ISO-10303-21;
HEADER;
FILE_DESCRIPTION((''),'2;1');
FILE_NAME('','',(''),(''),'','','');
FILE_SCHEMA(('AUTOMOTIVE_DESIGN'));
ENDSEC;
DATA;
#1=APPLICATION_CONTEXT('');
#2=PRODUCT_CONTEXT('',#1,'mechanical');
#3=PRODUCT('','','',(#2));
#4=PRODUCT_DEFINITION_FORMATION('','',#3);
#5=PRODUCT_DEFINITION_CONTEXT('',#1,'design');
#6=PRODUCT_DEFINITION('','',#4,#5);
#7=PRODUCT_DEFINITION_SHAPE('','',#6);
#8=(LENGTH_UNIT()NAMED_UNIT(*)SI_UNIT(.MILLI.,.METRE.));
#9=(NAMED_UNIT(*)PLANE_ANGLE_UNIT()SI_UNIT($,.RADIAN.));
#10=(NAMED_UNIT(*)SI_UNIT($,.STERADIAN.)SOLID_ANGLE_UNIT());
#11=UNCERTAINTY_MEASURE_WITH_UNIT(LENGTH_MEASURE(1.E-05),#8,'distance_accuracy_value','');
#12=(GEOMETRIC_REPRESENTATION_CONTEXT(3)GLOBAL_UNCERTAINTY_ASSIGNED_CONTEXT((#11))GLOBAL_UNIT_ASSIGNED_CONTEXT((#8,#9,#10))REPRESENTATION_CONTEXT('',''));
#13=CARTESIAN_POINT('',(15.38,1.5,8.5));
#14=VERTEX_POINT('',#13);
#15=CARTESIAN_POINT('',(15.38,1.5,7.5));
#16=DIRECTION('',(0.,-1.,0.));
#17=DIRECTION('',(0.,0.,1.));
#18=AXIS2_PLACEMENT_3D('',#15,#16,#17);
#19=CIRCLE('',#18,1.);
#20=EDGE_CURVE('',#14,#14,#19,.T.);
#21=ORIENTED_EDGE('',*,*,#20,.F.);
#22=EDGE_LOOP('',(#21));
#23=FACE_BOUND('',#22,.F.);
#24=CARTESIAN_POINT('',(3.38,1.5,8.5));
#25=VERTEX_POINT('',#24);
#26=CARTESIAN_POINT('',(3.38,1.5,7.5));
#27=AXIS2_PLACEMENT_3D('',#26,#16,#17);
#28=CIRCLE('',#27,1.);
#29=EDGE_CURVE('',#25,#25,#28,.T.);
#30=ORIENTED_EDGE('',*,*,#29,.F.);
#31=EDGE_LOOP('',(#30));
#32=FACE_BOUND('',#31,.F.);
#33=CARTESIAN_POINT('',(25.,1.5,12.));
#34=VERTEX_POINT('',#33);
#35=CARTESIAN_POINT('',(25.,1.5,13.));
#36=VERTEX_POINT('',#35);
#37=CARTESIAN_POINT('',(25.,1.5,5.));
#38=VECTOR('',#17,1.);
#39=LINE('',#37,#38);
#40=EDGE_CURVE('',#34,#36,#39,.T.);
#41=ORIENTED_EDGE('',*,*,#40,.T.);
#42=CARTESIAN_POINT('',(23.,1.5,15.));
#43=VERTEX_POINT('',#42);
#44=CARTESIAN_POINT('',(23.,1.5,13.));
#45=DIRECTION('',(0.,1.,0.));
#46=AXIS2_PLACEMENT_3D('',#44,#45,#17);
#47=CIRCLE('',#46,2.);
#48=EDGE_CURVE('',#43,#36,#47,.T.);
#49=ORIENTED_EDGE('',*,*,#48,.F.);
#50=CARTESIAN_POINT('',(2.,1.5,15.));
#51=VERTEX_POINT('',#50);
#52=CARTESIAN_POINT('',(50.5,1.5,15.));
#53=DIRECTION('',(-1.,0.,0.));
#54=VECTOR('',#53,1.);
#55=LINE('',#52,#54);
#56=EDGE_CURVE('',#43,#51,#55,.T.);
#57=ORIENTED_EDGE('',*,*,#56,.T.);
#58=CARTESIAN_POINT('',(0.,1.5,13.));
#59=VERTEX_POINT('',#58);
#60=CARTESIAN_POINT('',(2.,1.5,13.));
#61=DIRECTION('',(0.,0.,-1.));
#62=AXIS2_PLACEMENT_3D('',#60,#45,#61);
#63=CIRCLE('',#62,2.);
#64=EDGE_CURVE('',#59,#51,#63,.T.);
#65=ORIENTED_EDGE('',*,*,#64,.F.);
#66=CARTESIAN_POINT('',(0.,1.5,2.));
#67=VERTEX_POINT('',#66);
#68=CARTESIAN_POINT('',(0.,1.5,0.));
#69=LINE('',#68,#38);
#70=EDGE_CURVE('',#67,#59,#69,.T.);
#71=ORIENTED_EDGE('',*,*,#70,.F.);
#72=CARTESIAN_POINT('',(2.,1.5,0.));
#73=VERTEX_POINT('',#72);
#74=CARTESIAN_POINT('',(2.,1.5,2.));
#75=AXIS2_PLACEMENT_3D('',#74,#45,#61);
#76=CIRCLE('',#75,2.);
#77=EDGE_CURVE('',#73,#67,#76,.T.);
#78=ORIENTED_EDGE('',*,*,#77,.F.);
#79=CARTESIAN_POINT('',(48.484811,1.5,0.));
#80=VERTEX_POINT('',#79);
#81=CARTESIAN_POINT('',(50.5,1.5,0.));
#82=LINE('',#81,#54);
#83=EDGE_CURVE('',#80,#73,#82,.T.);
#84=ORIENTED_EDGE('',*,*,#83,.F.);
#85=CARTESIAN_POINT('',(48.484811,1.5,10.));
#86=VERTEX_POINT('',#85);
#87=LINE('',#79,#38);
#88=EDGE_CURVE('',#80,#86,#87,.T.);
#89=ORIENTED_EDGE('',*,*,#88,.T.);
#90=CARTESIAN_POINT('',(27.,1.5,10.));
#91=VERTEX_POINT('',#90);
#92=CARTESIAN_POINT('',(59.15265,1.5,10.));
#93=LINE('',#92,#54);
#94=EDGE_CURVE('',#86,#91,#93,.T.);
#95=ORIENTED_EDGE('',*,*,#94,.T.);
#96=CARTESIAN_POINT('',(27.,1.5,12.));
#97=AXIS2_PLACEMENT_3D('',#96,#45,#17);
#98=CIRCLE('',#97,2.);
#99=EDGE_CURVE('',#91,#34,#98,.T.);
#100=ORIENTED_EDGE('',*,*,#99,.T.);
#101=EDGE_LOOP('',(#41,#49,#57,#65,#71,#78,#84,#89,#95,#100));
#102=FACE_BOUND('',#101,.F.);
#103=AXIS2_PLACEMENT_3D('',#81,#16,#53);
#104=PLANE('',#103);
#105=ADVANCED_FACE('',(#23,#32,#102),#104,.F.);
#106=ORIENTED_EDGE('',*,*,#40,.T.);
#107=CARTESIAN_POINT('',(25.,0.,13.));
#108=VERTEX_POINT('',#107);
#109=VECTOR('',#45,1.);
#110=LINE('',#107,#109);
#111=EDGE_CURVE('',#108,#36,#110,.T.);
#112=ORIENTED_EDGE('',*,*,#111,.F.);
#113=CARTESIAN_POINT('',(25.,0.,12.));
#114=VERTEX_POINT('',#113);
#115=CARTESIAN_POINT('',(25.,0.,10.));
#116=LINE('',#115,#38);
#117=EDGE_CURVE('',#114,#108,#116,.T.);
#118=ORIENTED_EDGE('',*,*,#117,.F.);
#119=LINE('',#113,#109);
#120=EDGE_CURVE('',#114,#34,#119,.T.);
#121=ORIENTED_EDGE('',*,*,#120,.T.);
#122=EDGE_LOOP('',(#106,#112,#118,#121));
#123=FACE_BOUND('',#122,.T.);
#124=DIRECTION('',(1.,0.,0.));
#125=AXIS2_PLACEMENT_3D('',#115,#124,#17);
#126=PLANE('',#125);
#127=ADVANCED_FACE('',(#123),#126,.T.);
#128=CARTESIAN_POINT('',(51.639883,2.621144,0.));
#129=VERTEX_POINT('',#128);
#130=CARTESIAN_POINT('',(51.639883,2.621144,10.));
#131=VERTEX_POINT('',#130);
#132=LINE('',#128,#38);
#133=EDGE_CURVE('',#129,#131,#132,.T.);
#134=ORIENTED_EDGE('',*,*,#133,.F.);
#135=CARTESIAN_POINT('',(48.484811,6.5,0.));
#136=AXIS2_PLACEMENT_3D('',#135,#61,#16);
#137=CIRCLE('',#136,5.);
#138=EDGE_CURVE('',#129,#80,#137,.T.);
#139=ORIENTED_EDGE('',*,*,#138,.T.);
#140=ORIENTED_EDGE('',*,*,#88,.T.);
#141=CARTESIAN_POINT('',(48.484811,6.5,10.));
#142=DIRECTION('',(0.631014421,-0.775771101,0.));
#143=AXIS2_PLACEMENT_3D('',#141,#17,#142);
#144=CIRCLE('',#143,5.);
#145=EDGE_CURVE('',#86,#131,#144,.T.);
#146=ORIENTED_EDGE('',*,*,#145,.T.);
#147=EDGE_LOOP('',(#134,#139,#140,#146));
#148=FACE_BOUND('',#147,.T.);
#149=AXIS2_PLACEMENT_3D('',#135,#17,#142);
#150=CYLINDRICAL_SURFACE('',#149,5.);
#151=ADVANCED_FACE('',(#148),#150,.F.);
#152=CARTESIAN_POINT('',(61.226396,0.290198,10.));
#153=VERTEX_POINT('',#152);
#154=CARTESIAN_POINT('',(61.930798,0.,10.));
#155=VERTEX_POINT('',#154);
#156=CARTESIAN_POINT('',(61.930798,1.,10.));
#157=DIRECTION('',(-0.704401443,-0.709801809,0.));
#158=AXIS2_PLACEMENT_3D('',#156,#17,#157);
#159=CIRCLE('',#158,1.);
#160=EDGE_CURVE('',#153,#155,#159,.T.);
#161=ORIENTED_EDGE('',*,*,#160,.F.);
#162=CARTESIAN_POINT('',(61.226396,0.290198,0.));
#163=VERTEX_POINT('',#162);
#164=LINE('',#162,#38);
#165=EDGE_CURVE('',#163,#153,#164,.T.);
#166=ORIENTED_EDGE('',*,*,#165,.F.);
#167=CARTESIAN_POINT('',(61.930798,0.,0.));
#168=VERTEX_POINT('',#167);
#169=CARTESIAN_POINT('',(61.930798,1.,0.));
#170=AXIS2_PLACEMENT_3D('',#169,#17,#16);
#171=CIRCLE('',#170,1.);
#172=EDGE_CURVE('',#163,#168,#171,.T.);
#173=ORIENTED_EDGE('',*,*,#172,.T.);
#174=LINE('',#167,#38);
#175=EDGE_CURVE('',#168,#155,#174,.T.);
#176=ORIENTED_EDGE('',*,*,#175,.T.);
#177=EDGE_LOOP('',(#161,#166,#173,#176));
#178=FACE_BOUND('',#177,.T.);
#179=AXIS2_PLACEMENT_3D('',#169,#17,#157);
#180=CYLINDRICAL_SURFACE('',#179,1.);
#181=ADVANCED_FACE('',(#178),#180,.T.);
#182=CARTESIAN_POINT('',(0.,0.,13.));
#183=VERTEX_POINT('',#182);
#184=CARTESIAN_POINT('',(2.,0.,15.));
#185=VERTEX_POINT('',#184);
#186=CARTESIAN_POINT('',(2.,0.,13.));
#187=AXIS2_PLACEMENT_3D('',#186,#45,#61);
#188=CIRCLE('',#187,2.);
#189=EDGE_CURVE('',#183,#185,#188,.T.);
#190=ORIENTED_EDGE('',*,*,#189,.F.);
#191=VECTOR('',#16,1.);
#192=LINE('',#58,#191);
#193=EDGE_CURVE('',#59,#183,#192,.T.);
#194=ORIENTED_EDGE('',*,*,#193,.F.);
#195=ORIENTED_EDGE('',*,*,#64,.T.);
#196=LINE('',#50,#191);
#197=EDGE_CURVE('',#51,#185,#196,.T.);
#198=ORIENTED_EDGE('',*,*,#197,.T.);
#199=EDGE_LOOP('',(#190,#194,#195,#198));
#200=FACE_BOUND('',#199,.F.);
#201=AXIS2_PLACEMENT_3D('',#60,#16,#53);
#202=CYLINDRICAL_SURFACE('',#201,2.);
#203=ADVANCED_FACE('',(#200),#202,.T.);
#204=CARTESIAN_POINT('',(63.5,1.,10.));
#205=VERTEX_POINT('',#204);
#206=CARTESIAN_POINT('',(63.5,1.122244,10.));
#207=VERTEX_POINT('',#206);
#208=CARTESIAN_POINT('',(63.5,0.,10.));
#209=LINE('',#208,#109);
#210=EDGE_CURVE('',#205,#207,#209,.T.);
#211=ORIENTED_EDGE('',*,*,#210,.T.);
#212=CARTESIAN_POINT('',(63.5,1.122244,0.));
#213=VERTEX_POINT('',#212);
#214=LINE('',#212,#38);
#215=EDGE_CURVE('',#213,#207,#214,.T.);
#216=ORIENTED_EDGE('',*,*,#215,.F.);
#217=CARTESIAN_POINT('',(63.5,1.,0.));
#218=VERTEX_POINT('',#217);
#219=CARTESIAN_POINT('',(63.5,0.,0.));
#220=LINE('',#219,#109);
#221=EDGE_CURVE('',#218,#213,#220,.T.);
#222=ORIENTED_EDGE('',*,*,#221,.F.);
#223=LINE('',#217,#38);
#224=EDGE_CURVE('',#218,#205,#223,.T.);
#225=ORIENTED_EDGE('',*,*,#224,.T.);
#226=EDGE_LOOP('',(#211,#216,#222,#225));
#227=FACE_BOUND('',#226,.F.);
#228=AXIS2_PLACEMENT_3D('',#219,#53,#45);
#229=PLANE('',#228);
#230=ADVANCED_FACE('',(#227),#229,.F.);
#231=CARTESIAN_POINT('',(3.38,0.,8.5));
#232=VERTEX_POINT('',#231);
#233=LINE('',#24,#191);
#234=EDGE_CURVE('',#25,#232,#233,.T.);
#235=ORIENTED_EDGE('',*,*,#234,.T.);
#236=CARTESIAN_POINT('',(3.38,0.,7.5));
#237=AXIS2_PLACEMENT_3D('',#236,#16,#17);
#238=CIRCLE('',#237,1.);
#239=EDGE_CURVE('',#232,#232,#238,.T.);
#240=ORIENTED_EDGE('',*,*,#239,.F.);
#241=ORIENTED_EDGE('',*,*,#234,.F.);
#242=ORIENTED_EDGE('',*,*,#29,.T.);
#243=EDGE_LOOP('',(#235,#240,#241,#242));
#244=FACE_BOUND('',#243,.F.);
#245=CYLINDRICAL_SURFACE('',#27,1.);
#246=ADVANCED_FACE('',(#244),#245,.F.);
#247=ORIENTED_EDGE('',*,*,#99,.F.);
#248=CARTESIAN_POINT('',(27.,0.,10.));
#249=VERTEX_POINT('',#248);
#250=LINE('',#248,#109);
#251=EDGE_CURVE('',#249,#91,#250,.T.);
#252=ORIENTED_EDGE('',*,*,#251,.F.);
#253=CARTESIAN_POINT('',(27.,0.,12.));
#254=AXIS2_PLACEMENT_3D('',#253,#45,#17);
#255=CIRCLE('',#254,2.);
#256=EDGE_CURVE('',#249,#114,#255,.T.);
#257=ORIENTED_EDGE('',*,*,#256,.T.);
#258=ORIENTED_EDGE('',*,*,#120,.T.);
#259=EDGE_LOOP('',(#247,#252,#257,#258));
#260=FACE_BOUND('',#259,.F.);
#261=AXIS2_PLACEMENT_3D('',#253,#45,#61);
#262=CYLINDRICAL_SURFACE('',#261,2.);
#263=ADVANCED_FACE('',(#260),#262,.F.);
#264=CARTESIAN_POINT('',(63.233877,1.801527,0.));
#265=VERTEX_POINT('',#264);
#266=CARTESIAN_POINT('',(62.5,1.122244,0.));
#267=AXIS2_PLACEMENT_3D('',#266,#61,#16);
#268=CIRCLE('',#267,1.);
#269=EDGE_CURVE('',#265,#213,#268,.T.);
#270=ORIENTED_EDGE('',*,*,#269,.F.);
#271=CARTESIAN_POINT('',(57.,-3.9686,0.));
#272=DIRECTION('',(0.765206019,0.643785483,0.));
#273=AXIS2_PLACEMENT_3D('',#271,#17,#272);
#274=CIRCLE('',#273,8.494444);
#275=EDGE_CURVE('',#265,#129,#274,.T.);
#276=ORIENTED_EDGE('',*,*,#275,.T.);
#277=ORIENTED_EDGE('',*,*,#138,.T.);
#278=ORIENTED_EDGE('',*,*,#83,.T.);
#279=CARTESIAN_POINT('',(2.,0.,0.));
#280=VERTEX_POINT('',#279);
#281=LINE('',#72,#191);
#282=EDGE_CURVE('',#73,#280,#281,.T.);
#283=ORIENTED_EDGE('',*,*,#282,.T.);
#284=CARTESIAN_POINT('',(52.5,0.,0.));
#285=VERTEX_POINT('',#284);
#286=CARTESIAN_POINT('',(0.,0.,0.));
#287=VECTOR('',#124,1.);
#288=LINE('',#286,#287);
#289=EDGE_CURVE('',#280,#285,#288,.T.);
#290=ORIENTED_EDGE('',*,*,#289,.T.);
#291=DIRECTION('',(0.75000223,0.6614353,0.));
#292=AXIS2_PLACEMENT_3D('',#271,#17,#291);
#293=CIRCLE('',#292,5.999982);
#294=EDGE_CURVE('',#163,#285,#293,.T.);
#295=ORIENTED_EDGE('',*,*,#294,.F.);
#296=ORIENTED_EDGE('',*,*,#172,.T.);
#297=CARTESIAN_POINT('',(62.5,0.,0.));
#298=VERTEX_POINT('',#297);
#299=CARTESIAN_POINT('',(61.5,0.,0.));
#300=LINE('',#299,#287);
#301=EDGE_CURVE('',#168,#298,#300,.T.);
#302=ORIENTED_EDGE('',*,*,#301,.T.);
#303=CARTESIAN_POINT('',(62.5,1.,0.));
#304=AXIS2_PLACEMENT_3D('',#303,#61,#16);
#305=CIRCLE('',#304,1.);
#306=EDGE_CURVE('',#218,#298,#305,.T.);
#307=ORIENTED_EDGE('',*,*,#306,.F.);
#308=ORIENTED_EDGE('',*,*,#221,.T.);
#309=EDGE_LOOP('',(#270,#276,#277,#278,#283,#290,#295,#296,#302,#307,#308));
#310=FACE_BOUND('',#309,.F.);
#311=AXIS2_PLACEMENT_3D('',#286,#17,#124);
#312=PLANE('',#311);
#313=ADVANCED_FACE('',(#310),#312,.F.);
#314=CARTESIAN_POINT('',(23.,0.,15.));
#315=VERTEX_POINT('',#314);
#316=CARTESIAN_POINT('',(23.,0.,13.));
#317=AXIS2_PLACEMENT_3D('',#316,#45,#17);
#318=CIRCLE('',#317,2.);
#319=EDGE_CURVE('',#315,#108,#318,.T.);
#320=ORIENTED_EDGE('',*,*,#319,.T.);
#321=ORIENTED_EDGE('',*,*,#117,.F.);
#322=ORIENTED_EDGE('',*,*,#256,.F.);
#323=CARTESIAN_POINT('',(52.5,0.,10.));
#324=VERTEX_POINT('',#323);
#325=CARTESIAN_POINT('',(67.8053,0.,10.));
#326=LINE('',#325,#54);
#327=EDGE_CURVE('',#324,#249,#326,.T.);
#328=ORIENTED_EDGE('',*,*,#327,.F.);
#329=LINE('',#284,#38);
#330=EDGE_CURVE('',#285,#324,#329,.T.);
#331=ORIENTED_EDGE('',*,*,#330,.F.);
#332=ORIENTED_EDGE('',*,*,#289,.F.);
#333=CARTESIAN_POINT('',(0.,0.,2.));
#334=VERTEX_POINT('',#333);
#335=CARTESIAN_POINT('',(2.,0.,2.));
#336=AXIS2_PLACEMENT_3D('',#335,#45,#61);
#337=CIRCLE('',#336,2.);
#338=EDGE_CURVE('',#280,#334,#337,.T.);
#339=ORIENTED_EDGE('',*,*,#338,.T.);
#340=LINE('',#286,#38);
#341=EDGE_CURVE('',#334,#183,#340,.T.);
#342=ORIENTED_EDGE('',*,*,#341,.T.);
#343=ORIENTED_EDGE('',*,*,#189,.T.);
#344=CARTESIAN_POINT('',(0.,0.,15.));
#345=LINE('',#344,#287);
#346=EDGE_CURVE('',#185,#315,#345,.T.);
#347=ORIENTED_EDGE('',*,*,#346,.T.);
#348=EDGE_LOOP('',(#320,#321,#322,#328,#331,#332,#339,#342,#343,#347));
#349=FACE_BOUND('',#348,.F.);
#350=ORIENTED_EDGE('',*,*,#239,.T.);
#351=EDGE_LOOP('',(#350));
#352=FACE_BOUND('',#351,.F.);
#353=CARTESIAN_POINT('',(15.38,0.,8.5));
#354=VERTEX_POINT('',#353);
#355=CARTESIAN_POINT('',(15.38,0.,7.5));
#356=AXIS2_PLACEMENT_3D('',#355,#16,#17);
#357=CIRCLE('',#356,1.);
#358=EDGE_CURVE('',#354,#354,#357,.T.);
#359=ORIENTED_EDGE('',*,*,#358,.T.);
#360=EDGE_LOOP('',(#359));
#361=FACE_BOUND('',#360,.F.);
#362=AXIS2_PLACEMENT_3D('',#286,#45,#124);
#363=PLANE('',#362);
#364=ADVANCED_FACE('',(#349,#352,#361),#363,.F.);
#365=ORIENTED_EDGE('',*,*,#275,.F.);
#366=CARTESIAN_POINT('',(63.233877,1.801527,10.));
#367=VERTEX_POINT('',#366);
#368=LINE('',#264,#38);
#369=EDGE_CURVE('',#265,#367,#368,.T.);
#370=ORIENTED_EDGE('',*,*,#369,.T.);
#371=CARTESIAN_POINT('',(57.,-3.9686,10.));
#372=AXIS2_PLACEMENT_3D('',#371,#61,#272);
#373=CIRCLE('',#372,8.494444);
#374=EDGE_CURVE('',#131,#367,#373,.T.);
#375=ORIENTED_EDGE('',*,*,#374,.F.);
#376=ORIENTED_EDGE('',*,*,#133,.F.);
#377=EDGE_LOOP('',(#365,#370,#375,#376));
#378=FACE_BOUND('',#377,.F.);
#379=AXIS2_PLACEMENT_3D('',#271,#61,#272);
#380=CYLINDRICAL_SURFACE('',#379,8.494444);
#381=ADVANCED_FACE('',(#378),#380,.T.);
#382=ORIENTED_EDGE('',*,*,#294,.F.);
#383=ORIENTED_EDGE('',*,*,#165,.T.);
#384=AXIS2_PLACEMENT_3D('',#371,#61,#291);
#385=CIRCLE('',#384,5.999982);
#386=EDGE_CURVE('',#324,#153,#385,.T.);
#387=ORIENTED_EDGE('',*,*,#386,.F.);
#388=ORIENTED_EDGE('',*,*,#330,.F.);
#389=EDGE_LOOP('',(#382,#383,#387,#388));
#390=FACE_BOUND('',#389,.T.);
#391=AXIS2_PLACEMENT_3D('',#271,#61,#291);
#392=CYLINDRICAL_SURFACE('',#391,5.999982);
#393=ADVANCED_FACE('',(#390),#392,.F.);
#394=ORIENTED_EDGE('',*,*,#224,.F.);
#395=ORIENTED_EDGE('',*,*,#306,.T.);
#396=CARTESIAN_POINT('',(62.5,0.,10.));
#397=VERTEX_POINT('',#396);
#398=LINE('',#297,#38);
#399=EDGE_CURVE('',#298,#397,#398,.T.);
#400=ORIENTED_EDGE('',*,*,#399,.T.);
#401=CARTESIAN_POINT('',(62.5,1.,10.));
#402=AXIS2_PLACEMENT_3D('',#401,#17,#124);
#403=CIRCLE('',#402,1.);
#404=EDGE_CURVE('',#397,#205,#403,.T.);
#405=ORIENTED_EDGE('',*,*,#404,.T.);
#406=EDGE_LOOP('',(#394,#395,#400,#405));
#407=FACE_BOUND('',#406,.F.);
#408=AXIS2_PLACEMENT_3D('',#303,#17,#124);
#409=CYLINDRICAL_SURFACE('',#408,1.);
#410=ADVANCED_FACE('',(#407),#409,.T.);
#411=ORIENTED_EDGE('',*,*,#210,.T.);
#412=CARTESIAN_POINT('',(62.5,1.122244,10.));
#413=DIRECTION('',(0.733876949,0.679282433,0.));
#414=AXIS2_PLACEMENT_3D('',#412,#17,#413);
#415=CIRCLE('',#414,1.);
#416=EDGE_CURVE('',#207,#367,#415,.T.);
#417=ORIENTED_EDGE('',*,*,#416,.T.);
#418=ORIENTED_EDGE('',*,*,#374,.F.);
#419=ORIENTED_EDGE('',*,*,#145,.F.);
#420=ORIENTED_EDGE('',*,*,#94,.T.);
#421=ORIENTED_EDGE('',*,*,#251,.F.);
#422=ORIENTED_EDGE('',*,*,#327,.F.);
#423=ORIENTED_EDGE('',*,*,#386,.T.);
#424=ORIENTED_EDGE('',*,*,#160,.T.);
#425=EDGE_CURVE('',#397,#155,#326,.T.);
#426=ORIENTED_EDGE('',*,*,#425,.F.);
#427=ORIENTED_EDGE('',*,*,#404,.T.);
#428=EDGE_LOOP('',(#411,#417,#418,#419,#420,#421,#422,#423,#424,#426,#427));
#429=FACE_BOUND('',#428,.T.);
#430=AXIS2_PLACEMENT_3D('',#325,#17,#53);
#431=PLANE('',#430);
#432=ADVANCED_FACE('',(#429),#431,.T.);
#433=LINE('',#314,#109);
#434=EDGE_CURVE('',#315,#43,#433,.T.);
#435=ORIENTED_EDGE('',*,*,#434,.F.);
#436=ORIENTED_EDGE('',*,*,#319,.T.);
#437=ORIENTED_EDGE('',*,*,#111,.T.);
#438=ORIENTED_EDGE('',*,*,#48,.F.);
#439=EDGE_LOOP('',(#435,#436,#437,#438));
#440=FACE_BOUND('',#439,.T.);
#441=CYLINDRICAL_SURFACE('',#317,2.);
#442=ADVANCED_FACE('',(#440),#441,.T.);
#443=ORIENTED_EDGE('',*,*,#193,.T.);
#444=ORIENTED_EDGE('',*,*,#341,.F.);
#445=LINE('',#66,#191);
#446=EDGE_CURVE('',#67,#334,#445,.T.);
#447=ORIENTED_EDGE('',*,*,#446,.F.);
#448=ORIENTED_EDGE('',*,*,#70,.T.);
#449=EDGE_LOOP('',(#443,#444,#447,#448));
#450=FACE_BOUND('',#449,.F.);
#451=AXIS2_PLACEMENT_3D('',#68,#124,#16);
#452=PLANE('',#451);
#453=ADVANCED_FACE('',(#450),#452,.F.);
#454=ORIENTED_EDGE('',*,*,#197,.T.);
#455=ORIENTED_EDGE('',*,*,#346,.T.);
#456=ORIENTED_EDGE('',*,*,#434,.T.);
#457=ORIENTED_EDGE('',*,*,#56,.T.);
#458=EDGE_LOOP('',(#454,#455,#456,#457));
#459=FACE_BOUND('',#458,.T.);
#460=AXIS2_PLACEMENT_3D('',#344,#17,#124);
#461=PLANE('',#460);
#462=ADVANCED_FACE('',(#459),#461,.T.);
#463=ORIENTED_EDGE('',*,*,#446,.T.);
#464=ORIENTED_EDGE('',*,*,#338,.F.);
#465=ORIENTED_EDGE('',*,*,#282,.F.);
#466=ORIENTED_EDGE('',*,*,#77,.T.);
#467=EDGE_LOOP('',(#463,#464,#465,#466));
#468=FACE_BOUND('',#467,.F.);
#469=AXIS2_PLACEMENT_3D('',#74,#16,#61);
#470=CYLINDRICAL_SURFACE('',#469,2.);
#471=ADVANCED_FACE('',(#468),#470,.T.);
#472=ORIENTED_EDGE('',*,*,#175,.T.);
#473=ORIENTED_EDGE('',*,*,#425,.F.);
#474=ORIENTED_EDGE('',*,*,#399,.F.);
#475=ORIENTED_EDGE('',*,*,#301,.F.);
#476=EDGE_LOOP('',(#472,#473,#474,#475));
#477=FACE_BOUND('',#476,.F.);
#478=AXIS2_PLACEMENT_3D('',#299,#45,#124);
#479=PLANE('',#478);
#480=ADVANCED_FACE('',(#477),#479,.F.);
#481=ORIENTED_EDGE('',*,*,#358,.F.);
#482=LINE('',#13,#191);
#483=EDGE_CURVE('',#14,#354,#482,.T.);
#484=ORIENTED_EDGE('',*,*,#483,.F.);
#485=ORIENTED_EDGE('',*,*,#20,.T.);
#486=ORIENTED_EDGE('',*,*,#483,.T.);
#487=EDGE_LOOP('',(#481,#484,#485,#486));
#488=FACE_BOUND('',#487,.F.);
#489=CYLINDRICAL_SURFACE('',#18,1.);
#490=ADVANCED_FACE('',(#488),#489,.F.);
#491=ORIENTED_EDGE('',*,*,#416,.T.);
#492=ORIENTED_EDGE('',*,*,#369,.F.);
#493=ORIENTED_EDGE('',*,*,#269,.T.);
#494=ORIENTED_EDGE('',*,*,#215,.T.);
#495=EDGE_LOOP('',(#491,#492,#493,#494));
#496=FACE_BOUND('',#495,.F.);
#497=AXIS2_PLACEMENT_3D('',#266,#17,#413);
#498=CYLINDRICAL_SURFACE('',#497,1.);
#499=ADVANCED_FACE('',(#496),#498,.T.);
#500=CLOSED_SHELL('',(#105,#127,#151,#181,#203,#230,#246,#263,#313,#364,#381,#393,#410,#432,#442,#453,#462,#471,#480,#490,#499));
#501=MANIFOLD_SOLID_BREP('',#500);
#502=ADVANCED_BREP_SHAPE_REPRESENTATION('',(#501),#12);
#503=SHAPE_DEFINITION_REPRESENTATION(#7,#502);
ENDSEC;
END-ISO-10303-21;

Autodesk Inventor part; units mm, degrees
ref_plane "YZ Plane" through (0, 0, 0) normal (1, 0, 0) x (0, 1, 0)
ref_plane "XZ Plane" through (0, 0, 0) normal (0, 1, 0) x (-1, 0, 0)
ref_plane "XY Plane" through (0, 0, 0) normal (0, 0, 1) x (1, 0, 0)
sketch "Sketch1" plane through (0, 0, 0) normal (0, 0, 1) x (1, 0, 0)
  line L0 (0, 0) -> (52.5, 0)
  line L1 (63.5, 0) -> (63.5, 1.5)
  line L2 (0, 1.5) -> (0, 0)
  arc A0 (63.5, 1.5) -> (50.5, 1.5) centre (57, -3.9686) ccw
  arc A1 (61.5, 0) -> (52.5, 0) centre (57, -3.9686) ccw
  line L3 (61.5, 0) -> (63.5, 0)
  line L4 (52.5, 0) -> (61.5, 0) construction
  line L5 (59.4686, 1.5) -> (54.5314, 1.5) construction
  line L6 (54.5314, 1.5) -> (50.5, 1.5) construction
  line L7 (50.5, 1.5) -> (0, 1.5)
  line L8 (63.5, 1.5) -> (59.4686, 1.5) construction
  dimension "d0" = 63.5
  dimension "d1" = 1.5
  dimension "d3" = 9
  dimension "d4" = 6
  dimension "d5" = 2
extrude "Extrusion1" add sketch "Sketch1" along normal blind 15
sketch "Sketch2" plane through (0, 1.5, 0) normal (0, 1, 0) x (1, 0, 0)
  line L0 (50.5, 0) -> (0, 0) projected
  line L1 (0, 0) -> (0, -15) projected
  line L2 (50.5, -15) -> (0, -15) projected
  line L3 (3.38, 0) -> (3.38, -15) construction
  line L4 (3.38, -7.5) -> (15.38, -7.5) construction
  dimension "d9" = 3.38
  dimension "d10" = 12
hole "Hole1" at (3.38, 1.5, 7.5) at (15.38, 1.5, 7.5) direction (0, -1, 0) diameter 2 end through all
fillet "Fillet1" radius 1 3 edges at (63.5, 0, 7.5) (63.5, 1.5, 7.5) (61.5, 0, 7.5)
fillet "Fillet2" radius 5 1 edges at (50.5, 1.5, 7.5)
sketch "Sketch3" plane through (0, 0, 0) normal (0, -1, 0) x (1, 0, 0)
  line L0 (0, 15) -> (52.5, 15) projected
  line L1 (0, 0) -> (0, 15) projected
  line L2 (25, 20.9607) -> (67.8053, 20.9607)
  line L3 (67.8053, 20.9607) -> (67.8053, 10)
  line L4 (67.8053, 10) -> (25, 10)
  line L5 (25, 10) -> (25, 20.9607)
  dimension "d20" = 5
  dimension "d21" = 25
extrude "Extrusion2" cut sketch "Sketch3" against normal blind 8
fillet "Fillet3" radius 2 4 edges at (25, 0.75, 15) (25, 0.75, 10) (0, 0.75, 15) (0, 0.75, 0)
properties part number "hand2"
